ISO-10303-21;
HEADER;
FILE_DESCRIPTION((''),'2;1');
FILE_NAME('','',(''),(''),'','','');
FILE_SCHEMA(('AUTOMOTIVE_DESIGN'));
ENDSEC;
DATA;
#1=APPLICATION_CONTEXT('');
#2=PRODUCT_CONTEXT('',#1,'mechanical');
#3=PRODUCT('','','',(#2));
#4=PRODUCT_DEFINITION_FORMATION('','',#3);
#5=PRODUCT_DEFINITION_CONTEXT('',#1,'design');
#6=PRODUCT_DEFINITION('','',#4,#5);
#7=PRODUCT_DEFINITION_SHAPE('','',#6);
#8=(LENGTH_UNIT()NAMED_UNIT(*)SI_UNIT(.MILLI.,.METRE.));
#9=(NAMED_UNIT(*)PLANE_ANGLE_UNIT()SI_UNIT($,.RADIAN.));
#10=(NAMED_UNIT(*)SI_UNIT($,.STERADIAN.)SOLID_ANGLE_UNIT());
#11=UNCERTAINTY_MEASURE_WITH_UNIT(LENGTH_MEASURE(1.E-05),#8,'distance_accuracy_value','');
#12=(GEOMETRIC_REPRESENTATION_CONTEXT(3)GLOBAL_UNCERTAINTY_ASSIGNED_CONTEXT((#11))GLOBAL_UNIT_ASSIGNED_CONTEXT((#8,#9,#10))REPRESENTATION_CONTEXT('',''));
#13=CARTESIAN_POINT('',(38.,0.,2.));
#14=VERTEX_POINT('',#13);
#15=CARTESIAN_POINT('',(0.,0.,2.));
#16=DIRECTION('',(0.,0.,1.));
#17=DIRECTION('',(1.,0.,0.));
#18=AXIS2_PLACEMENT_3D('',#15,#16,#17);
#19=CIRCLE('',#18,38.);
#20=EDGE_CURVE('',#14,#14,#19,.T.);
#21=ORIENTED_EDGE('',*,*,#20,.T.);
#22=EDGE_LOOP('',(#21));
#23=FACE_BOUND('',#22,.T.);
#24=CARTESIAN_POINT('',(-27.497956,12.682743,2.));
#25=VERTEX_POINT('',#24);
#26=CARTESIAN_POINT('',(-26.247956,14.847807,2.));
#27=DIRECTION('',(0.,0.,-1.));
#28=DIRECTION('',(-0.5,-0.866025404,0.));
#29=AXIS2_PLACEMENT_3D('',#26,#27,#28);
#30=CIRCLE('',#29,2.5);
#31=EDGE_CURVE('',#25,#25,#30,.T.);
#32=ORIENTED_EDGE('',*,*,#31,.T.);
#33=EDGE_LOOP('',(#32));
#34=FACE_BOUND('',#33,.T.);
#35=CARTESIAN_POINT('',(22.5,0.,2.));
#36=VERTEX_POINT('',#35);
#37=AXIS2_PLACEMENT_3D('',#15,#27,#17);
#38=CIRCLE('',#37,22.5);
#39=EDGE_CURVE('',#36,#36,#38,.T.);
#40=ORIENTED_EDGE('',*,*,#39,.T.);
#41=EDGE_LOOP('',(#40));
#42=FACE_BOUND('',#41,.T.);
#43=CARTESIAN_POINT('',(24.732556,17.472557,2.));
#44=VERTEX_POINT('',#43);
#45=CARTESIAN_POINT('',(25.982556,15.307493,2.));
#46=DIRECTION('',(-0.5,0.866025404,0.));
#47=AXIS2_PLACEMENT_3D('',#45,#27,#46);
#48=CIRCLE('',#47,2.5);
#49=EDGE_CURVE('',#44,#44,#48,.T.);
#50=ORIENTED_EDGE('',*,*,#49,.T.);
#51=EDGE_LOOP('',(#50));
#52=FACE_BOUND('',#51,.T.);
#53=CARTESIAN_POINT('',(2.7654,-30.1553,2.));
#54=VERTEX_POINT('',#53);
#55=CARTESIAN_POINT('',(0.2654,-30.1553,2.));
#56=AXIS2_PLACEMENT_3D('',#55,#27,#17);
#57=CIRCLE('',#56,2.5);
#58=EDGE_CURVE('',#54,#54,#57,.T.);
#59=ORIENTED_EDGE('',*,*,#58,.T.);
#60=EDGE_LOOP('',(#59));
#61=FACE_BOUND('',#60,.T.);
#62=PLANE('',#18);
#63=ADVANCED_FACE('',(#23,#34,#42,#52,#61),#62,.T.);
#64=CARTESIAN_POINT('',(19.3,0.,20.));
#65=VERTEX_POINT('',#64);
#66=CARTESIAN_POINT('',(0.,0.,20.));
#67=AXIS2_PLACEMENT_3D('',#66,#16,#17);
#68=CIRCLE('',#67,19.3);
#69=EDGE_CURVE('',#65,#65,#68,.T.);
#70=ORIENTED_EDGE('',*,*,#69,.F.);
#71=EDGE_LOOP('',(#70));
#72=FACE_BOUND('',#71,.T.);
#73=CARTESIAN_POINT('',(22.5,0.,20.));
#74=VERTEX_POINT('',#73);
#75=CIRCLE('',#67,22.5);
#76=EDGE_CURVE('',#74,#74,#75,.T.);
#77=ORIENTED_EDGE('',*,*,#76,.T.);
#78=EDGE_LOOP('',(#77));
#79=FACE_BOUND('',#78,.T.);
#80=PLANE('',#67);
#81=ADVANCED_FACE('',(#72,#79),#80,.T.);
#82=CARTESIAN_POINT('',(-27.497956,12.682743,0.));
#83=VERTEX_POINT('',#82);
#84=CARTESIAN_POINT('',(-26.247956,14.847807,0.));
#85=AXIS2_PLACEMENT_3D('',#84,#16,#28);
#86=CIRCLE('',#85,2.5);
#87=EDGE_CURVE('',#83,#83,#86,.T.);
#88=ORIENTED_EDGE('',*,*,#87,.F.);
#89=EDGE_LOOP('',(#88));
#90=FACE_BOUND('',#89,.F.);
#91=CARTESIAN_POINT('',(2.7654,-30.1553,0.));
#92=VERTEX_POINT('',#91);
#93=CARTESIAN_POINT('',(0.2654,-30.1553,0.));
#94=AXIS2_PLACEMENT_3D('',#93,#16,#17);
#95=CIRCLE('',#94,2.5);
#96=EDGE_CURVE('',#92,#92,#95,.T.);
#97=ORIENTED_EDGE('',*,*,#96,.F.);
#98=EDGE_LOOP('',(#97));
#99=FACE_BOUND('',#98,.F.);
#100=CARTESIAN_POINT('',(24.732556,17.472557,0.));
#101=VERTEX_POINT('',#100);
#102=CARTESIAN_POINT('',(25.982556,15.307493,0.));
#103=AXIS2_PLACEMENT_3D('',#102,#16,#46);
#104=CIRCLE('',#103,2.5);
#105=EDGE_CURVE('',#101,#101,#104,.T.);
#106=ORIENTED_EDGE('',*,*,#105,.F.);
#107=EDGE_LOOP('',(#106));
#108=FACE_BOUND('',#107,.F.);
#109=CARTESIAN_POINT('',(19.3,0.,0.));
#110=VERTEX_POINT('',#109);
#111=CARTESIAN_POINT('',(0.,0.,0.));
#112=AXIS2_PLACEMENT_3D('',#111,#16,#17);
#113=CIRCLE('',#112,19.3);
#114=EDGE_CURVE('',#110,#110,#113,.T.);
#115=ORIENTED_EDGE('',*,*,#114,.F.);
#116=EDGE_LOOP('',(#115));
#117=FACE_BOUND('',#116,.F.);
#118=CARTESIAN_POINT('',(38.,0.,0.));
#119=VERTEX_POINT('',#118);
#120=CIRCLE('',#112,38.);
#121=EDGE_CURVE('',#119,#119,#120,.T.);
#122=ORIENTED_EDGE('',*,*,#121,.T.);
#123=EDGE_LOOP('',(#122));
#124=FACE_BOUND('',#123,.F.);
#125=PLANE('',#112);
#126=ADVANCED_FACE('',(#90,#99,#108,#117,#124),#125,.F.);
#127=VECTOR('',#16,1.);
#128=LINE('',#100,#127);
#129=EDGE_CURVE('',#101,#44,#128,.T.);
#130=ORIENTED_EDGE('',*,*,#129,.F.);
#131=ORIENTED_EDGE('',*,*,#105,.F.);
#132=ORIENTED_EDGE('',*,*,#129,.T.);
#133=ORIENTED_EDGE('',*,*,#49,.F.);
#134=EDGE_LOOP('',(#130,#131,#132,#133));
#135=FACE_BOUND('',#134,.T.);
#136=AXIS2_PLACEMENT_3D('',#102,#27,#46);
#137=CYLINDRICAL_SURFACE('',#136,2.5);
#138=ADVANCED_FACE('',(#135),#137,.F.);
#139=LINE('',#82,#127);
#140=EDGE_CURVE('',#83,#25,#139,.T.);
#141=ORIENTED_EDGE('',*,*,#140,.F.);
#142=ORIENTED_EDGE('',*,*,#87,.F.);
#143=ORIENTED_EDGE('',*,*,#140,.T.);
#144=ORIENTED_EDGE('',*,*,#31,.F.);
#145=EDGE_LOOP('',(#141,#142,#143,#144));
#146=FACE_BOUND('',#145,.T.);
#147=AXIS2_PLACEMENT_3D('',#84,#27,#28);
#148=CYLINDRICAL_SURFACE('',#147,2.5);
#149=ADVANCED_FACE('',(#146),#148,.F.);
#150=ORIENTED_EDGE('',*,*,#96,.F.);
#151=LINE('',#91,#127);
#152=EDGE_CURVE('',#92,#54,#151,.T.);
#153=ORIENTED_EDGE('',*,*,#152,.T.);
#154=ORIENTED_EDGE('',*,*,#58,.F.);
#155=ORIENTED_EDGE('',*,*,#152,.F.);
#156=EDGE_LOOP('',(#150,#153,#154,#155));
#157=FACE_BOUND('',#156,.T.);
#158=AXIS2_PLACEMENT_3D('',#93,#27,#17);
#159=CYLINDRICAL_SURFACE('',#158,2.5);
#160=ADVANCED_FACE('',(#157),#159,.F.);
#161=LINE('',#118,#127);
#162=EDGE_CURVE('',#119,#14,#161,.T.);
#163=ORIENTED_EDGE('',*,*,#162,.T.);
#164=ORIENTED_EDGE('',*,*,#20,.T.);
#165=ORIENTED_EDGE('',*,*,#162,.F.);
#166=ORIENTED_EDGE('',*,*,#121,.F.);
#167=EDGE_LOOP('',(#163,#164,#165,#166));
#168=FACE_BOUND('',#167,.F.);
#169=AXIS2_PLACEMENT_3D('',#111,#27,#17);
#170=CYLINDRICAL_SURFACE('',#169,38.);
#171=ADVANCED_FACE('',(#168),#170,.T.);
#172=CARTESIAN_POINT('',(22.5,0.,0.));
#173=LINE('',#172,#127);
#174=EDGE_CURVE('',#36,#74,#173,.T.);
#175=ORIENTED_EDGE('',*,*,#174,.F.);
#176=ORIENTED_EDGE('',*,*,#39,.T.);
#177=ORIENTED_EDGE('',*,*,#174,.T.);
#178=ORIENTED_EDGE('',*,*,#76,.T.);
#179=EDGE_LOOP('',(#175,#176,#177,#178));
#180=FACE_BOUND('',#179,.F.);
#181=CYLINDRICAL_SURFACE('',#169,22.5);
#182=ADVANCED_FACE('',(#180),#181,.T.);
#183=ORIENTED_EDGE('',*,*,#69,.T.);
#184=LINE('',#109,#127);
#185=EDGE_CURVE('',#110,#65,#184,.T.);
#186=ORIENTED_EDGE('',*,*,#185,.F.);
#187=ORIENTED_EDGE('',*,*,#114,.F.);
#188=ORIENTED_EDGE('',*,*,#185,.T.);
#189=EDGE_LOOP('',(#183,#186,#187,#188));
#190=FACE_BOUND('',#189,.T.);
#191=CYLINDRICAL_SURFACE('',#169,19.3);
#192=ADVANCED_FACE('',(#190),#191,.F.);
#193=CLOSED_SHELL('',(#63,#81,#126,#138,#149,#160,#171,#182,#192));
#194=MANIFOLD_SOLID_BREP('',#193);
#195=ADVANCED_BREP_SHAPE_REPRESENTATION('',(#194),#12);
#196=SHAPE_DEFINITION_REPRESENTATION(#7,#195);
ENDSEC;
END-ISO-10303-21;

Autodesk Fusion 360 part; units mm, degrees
sketch "Sketch1" plane through (0, 0, 0) normal (0, 0, 1) x (1, 0, 0)
  circle A0 centre (0, 0) radius 19.3
  circle A1 centre (0, 0) radius 22.5
  circle A2 centre (0, 0) radius 38
  dimension "d1" = 45
  dimension "d2" = 38.6
  dimension "d3" = 76
extrude "Extrude1" add sketch "Sketch1" along normal blind 20 contours A1
sketch "Sketch2" plane through (0, 0, 0) normal (0, 0, 1) x (1, 0, 0)
  circle A0 centre (0.2654, -30.1553) radius 2.5
  dimension "d8" = 5
extrude "Extrude4" add sketch "Sketch1" along normal blind 2 contours A1 | A2
extrude "Extrude5" cut sketch "Sketch2" along normal blind 6.312
pattern_circular "C-Pattern2" count 3 over 360 about axis through (0, 0, 2) along (0, 0, 1) of "Extrude5"
